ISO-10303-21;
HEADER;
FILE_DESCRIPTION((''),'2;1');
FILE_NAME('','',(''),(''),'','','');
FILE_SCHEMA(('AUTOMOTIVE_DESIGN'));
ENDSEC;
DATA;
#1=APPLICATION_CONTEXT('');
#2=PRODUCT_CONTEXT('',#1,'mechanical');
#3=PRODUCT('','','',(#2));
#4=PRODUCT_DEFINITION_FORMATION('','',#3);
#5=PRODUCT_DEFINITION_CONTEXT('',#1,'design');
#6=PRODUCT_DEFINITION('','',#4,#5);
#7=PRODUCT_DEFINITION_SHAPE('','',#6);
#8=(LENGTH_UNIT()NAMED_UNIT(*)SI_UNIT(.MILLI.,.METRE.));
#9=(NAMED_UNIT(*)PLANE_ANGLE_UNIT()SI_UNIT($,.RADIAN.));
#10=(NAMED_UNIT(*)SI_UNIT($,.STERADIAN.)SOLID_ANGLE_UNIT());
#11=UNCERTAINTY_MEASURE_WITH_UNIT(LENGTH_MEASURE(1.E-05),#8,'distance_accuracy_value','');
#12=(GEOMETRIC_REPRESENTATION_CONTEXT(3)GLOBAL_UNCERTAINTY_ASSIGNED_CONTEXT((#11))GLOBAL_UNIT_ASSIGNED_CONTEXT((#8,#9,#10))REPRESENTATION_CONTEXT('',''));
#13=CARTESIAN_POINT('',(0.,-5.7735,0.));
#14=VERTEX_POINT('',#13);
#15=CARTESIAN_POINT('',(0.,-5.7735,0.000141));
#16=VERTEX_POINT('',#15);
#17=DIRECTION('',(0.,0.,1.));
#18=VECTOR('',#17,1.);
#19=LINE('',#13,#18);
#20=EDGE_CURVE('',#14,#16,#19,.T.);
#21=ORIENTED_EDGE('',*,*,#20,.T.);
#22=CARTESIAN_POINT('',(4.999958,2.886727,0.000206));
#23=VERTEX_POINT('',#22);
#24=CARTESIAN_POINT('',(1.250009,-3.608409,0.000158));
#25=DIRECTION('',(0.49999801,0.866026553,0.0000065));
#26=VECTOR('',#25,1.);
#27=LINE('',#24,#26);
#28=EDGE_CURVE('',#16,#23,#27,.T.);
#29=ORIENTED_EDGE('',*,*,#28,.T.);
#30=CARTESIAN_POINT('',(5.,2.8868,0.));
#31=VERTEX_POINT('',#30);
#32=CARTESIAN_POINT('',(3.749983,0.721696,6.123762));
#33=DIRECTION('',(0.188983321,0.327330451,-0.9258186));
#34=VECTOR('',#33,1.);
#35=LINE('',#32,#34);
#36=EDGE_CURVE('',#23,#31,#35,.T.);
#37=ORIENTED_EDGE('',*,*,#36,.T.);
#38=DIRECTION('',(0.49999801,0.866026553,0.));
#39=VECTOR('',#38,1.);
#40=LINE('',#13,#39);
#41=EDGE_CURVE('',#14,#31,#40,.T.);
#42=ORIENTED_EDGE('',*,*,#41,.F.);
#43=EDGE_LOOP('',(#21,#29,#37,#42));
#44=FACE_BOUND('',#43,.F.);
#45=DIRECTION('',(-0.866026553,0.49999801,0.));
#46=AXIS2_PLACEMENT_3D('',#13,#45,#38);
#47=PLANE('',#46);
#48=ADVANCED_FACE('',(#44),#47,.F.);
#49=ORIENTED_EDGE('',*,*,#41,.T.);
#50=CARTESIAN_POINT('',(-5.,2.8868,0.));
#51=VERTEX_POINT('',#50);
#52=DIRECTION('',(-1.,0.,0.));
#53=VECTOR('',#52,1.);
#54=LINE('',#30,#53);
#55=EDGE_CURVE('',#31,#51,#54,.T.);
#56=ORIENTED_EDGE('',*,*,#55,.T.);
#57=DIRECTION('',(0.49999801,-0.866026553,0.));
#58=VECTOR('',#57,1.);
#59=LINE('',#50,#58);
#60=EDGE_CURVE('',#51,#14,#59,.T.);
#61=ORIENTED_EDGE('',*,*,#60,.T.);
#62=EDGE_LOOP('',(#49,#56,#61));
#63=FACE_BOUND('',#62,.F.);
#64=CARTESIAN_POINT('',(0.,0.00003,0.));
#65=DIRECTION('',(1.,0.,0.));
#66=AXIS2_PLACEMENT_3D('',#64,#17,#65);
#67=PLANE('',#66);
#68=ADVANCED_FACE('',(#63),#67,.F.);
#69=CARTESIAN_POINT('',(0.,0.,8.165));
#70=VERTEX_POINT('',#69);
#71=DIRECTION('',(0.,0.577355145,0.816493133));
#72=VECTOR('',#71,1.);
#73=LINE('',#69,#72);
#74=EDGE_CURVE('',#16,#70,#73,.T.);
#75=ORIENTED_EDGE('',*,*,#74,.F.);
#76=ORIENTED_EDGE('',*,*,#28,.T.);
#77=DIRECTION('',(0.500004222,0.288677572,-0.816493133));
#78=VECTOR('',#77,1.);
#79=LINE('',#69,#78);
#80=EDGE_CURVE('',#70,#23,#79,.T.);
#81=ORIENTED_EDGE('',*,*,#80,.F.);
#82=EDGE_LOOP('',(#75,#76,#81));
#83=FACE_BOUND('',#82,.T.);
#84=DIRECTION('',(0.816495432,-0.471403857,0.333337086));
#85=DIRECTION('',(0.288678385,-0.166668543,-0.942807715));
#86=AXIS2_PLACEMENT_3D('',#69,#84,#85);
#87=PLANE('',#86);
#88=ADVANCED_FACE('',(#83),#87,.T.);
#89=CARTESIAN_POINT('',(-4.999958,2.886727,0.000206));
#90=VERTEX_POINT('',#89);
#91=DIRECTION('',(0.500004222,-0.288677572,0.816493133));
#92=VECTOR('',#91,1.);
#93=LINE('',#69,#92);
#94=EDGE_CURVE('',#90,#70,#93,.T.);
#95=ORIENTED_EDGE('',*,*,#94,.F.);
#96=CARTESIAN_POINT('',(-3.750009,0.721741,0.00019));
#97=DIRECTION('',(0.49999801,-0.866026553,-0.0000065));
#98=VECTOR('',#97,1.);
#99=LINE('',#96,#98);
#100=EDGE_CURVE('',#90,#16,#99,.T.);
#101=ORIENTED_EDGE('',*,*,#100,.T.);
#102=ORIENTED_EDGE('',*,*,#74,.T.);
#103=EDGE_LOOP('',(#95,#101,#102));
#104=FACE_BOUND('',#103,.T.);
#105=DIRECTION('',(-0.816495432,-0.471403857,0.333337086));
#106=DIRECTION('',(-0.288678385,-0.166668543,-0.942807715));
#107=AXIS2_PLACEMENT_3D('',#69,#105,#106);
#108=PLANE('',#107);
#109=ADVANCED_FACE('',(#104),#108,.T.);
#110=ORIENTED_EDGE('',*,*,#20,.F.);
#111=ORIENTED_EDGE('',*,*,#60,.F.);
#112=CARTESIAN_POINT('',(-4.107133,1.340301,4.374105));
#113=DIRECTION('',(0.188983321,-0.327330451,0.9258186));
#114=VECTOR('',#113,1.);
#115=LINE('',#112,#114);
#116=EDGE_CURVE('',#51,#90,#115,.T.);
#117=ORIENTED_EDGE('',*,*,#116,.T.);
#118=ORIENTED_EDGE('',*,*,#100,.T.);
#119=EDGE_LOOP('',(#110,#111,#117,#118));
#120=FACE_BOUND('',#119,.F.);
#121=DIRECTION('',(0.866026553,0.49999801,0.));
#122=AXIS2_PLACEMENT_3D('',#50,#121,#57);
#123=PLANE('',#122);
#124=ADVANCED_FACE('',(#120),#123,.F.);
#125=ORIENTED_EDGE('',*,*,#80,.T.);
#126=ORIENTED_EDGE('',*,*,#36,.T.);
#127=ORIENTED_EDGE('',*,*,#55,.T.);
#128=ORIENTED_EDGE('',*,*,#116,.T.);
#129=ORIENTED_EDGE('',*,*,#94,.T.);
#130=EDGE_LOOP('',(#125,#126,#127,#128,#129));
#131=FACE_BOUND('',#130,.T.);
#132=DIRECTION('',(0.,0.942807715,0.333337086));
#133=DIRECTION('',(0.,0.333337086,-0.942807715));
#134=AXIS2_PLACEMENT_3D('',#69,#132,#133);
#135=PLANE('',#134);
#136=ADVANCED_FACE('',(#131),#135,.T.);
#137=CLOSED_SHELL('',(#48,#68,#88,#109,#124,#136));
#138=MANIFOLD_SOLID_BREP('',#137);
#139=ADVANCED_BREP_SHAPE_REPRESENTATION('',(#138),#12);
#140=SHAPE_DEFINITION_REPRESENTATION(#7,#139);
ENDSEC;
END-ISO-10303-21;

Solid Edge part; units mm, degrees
sketch "Sketch1" plane through (0, 0, 0) normal (0, 0, 1) x (1, 0, 0)
  line L0 (0, -5.7735) -> (5, 2.8868)
  line L1 (5, 2.8868) -> (-5, 2.8868)
  line L2 (-5, 2.8868) -> (0, -5.7735)
extrude "Protrusion1" add sketch "Sketch1" along normal up to vertex (8.165 mm away)
sketch "Sketch2" plane through (0, 0, 0) normal (1, 0, 0) x (0, 1, 0)
  line L0 (2.8868, 8.165) -> (0, 8.165)
  line L1 (0, 8.165) -> (2.8868, 0)
  line L2 (2.8868, 0) -> (2.8868, 8.165)
extrude "Cutout1" cut sketch "Sketch2" along normal mid plane 10
pattern_circular "Pattern1" count 3 over 360 about axis through (0, 0, 0) along (0, 0, 1) of "Cutout1"
